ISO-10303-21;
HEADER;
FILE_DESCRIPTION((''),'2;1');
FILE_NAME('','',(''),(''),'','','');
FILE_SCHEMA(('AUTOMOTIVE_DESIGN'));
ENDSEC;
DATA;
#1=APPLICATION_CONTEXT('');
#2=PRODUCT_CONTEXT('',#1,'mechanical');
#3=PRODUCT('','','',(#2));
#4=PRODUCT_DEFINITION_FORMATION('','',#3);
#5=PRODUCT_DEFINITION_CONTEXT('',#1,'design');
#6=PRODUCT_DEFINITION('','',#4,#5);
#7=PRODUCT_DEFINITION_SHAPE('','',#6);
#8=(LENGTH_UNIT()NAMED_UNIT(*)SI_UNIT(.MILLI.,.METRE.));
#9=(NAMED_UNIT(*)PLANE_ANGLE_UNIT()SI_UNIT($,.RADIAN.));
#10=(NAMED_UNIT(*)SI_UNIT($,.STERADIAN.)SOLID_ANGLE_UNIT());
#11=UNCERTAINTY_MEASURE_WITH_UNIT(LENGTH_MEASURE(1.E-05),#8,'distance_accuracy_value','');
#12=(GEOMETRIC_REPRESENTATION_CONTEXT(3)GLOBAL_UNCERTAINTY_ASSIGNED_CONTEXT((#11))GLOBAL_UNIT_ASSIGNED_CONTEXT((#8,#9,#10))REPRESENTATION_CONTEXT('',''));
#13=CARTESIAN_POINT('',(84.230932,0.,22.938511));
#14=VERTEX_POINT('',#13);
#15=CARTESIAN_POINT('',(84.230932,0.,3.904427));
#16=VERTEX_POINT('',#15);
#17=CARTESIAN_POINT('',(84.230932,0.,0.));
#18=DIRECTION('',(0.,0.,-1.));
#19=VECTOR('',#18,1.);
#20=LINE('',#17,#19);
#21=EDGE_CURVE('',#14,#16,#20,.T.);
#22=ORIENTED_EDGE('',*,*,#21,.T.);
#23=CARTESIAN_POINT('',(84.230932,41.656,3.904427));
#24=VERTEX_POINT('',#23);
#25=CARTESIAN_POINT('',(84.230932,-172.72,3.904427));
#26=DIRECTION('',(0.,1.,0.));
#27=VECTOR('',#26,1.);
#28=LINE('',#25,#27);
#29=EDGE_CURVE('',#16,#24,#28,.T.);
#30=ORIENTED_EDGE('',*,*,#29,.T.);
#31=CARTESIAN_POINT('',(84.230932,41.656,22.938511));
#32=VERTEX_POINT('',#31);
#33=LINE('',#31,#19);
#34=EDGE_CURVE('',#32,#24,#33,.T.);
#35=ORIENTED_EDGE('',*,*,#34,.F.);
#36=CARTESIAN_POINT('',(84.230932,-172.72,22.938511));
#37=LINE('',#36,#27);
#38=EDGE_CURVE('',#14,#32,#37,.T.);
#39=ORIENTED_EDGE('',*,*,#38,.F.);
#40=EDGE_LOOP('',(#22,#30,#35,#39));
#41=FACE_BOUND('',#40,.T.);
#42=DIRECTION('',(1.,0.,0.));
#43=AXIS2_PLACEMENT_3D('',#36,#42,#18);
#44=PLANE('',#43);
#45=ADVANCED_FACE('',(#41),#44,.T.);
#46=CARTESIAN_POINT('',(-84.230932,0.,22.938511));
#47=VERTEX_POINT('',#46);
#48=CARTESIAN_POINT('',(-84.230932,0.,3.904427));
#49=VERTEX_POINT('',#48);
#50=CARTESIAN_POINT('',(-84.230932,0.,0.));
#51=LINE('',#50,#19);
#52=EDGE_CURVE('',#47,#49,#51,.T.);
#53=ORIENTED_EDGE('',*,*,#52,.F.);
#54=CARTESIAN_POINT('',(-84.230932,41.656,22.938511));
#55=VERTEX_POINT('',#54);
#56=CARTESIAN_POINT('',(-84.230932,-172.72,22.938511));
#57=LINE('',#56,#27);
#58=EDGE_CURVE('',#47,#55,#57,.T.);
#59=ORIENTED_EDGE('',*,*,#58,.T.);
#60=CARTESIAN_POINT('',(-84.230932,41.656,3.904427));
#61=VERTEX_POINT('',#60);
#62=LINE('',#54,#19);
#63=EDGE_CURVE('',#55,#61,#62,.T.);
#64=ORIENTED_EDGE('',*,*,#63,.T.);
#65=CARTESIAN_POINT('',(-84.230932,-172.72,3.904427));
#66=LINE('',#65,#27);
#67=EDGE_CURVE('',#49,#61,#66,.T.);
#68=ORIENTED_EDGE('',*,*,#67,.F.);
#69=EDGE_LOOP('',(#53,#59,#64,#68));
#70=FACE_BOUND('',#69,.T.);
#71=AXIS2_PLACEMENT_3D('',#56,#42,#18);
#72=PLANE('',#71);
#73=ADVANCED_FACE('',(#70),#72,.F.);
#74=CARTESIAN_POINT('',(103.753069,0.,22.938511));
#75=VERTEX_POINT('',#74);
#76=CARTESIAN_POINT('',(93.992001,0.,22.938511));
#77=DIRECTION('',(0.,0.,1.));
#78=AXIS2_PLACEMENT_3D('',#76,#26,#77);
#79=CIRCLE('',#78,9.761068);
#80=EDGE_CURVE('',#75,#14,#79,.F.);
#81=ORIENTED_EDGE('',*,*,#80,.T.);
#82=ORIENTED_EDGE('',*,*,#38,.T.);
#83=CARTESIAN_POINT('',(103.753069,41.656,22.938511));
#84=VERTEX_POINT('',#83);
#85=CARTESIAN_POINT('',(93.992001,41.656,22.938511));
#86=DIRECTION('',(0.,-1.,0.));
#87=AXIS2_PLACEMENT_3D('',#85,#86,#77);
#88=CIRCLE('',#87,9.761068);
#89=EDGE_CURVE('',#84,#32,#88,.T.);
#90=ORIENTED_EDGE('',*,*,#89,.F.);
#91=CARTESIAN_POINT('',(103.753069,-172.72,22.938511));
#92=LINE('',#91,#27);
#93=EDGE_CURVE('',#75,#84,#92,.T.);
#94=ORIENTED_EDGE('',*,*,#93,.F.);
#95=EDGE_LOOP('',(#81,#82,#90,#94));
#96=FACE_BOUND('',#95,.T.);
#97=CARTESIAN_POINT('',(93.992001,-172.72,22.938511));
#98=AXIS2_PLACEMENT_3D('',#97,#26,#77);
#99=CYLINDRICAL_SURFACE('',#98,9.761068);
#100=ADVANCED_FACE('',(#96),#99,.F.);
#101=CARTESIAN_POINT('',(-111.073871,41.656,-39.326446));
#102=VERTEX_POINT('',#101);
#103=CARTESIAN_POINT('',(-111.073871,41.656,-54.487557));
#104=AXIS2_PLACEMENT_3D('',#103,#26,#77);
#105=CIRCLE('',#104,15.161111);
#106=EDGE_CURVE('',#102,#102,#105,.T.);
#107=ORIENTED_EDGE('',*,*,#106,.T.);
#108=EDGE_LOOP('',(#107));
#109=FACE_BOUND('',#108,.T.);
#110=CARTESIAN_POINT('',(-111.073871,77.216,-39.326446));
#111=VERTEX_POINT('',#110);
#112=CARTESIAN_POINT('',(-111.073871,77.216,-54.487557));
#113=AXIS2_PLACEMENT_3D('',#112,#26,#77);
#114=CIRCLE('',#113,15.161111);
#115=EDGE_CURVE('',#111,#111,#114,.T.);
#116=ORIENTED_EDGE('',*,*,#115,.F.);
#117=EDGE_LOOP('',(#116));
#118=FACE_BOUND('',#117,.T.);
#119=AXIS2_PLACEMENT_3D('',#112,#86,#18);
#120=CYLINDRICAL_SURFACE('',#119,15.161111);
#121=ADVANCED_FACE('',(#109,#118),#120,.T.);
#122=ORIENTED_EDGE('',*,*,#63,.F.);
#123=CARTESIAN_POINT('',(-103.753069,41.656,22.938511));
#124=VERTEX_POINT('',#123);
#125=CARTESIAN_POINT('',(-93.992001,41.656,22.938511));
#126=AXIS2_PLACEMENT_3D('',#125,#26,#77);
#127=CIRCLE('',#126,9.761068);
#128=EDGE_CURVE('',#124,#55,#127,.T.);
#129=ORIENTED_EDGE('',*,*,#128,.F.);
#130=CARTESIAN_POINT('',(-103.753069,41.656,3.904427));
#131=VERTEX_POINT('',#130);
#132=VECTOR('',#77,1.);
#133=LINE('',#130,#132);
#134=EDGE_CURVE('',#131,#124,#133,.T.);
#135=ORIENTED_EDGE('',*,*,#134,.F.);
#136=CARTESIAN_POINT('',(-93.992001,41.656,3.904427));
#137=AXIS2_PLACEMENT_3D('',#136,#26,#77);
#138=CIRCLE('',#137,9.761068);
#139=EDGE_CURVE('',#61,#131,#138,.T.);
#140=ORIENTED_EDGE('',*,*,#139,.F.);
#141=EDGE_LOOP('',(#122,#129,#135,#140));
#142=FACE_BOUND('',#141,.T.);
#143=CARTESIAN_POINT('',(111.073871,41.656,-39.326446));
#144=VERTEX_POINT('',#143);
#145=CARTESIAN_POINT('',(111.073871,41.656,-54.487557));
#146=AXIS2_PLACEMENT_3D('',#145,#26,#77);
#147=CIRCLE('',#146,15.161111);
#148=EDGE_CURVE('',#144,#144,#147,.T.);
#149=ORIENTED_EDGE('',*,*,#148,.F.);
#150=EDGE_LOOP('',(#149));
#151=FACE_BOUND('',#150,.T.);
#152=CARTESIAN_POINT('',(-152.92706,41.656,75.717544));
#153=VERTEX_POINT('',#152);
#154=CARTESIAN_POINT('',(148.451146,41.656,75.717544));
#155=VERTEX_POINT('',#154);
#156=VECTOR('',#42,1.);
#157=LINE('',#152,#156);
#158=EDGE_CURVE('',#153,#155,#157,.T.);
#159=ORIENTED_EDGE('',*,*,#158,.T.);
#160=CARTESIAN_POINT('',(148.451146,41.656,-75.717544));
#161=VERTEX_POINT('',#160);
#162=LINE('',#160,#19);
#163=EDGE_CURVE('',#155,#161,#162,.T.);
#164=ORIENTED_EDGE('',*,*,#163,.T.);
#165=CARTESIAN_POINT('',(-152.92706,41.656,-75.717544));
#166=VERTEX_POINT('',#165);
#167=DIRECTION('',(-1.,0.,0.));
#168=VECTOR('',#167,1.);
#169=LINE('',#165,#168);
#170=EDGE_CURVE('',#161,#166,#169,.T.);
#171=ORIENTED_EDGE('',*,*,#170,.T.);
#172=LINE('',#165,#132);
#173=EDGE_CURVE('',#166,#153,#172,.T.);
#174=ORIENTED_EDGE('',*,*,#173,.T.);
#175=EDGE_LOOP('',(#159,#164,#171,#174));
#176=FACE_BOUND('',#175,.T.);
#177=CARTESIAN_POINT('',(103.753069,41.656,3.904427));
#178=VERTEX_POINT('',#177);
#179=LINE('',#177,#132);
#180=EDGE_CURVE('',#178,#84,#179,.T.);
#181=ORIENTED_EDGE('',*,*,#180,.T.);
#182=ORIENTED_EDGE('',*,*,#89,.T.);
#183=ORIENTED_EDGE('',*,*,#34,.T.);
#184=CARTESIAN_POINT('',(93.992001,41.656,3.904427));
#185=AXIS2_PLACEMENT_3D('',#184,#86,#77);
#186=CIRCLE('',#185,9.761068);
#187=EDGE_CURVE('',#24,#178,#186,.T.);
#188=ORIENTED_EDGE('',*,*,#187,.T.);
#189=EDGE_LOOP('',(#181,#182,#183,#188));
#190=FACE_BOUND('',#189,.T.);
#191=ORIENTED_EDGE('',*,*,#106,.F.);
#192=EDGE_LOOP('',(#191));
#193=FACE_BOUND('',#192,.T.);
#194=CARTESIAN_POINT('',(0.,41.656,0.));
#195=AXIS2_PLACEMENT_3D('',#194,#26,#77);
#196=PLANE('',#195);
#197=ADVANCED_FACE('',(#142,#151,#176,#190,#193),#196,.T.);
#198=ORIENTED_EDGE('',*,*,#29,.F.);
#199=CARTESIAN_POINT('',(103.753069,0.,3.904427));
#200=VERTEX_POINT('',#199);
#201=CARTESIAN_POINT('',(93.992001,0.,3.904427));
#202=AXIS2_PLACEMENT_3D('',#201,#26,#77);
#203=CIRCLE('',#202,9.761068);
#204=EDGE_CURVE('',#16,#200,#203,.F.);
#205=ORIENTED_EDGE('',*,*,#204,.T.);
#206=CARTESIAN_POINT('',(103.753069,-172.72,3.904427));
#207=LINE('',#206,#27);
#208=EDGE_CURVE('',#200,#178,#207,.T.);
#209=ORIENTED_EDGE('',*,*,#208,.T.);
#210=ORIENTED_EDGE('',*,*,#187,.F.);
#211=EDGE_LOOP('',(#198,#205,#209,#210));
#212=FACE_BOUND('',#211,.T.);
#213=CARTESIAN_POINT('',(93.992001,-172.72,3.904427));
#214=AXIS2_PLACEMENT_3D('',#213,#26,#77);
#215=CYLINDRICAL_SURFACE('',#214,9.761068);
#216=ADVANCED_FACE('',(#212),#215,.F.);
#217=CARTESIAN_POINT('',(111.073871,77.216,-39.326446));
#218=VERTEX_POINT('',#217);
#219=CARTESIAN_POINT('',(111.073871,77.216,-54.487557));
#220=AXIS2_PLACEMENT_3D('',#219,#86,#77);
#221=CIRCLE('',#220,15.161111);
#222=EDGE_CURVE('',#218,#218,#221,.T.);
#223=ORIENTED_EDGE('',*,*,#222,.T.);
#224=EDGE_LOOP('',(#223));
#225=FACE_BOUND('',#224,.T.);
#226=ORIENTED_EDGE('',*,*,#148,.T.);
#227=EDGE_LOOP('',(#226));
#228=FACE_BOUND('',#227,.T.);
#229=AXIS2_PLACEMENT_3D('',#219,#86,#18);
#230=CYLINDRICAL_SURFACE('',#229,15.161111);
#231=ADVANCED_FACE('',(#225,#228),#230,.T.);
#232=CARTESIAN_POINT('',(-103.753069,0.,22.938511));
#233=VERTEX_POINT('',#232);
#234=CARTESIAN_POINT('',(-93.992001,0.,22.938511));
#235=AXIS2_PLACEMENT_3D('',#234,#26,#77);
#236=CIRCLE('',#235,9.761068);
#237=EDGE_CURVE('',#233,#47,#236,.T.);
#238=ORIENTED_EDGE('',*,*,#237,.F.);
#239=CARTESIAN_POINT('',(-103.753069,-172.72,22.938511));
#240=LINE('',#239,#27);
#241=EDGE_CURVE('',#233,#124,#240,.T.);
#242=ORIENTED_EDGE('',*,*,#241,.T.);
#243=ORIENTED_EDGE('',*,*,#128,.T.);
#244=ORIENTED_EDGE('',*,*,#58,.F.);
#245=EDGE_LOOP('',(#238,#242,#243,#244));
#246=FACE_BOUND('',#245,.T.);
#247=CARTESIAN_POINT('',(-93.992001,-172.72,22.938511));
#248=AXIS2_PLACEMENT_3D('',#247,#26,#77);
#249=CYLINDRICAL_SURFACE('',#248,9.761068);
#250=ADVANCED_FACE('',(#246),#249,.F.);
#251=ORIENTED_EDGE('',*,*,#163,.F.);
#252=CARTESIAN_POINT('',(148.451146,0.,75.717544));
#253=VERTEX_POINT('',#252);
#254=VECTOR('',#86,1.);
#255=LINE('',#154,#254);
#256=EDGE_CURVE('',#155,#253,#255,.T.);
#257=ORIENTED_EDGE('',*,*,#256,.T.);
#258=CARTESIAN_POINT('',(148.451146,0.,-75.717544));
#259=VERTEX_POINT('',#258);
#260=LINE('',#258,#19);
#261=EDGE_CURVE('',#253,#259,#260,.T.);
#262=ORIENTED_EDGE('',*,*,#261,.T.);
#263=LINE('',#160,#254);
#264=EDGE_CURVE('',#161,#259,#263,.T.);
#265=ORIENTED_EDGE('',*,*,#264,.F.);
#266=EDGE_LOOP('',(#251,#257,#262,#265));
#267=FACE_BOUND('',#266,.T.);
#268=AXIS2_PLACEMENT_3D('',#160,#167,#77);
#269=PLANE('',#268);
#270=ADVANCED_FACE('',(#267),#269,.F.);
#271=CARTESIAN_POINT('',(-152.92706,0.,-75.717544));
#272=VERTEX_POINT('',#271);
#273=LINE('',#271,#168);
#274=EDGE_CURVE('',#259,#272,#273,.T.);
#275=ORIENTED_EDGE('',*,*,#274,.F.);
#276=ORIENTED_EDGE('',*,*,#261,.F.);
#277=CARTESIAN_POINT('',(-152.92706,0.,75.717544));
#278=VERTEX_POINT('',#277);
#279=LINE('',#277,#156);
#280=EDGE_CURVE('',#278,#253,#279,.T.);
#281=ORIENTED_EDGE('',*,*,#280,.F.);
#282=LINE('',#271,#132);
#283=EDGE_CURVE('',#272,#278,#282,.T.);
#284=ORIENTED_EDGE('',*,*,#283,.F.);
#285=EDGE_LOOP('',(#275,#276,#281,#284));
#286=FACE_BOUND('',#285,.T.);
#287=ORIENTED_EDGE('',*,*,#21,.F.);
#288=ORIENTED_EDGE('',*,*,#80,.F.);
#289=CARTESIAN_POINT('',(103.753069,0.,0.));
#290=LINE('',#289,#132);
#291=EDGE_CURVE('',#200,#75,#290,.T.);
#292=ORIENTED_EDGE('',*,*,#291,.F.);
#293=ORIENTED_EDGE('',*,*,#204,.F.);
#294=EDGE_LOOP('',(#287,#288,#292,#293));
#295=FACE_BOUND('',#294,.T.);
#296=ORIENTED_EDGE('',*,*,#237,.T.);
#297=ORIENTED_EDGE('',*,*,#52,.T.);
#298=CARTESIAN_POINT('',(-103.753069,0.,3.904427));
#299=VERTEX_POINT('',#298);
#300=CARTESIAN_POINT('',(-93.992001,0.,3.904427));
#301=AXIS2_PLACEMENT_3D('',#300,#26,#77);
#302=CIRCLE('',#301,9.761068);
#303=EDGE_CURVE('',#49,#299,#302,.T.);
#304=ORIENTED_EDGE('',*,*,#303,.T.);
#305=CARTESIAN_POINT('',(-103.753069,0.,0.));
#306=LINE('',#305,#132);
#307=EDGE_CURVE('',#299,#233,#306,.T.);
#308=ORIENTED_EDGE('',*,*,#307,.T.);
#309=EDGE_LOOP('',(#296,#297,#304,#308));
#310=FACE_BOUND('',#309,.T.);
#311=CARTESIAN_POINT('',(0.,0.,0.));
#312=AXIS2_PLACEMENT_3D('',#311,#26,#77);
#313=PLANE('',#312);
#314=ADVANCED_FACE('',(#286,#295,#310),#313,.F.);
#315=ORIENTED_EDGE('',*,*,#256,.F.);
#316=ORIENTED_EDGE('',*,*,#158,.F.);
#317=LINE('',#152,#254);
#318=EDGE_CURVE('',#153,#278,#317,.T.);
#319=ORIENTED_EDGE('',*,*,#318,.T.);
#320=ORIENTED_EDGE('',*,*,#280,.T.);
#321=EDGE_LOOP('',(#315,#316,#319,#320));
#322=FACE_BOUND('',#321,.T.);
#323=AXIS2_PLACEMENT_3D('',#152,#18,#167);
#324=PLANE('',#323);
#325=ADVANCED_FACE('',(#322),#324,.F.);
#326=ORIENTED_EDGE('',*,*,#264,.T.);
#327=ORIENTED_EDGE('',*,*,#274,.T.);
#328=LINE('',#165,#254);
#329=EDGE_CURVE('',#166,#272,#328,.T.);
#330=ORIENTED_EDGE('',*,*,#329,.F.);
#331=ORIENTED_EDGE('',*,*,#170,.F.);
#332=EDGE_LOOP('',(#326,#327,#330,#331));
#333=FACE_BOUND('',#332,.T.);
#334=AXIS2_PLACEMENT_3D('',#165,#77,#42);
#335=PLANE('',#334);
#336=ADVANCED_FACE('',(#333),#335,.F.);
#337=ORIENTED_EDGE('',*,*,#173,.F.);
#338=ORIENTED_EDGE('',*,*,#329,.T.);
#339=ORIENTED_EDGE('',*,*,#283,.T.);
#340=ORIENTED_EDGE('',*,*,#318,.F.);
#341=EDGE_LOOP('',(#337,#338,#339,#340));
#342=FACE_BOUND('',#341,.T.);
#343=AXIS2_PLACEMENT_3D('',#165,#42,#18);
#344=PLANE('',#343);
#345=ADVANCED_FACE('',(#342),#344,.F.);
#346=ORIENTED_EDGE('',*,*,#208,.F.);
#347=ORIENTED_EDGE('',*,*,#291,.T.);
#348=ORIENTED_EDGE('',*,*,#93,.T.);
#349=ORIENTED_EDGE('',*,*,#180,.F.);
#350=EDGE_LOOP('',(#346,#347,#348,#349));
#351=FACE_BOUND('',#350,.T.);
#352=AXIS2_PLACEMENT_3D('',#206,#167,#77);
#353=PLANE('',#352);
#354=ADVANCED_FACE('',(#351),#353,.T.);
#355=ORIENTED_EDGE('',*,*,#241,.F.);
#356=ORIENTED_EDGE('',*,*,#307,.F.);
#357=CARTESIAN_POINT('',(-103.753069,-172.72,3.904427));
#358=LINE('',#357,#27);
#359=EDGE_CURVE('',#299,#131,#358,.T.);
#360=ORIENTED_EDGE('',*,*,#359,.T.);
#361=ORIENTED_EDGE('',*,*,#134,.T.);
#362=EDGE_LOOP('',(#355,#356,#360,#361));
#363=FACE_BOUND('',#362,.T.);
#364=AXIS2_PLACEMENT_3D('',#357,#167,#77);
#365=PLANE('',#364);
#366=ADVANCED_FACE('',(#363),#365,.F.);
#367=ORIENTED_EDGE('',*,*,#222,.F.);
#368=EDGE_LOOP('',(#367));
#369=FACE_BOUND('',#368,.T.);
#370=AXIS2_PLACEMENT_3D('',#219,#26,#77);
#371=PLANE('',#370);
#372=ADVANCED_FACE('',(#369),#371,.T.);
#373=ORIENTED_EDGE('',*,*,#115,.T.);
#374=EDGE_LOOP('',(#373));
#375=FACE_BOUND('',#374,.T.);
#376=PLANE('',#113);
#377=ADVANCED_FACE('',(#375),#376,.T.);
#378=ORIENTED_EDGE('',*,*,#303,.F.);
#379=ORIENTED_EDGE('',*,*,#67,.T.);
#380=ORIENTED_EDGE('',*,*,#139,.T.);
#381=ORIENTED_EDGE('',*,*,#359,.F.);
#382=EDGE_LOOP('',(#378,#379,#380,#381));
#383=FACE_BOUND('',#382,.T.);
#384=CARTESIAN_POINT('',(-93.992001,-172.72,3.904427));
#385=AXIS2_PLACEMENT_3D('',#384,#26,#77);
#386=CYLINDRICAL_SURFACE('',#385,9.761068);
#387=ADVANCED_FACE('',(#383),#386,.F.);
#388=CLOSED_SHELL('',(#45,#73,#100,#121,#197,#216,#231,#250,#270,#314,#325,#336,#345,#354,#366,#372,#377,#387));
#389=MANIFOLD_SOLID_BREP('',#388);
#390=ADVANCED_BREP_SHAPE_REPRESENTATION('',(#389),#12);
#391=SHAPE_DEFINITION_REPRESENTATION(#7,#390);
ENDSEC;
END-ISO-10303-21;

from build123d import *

# Parameters (mm, degrees)
SKETCH1_W           = 301.378206246
SKETCH1_H           = 151.435088782
BOSS_EXTRUDE1_DEPTH = 41.656
CUT_EXTRUDE1_DEPTH  = 214.376
SKETCH3_R           = 15.161110792
BOSS_EXTRUDE2_DEPTH = 35.56


with BuildPart() as part:
    # Sketch1 → Boss-Extrude1 (new body)
    with BuildSketch(Plane(origin=(0, 0, 0), x_dir=(1, 0, 0), z_dir=(0, 1, 0))):
        with Locations((-2.237956977, 0)):
            Rectangle(SKETCH1_W, SKETCH1_H)
    extrude(amount=BOSS_EXTRUDE1_DEPTH)

    # Sketch2 → Cut-Extrude1 (cut)
    with BuildSketch(Plane(origin=(0, 41.656, 0), x_dir=(1, 0, 0), z_dir=(0, 1, 0))):
        with BuildLine():
            Line((-103.753069352, -3.904427399), (-103.753069352, -22.938510969))
            ThreePointArc((-103.753069352, -22.938510969), (-93.992000854, -32.699579467), (-84.230932357, -22.938510969))
            Line((-84.230932357, -22.938510969), (-84.230932357, -3.904427399))
            ThreePointArc((-84.230932357, -3.904427399), (-93.992000854, 5.856641099), (-103.753069352, -3.904427399))
        make_face()
    cut_extrude1 = extrude(amount=-CUT_EXTRUDE1_DEPTH, mode=Mode.SUBTRACT)

    # Sketch3 → Boss-Extrude2 (add)
    with BuildSketch(Plane(origin=(0, 41.656, 0), x_dir=(1, 0, 0), z_dir=(0, 1, 0))):
        with Locations(Location((-111.073870725, 54.487556638, 0), (0, 0, 270))):
            Circle(SKETCH3_R)
    boss_extrude2 = extrude(amount=BOSS_EXTRUDE2_DEPTH)

    # Mirror1: Cut-Extrude1, Boss-Extrude2 across plane
    add(cut_extrude1.mirror(Plane(origin=(0, 0, 0), x_dir=(0, 0, 1), z_dir=(1, 0, 0))), mode=Mode.SUBTRACT)
    add(boss_extrude2.mirror(Plane(origin=(0, 0, 0), x_dir=(0, 0, 1), z_dir=(1, 0, 0))))


solid = part.part
